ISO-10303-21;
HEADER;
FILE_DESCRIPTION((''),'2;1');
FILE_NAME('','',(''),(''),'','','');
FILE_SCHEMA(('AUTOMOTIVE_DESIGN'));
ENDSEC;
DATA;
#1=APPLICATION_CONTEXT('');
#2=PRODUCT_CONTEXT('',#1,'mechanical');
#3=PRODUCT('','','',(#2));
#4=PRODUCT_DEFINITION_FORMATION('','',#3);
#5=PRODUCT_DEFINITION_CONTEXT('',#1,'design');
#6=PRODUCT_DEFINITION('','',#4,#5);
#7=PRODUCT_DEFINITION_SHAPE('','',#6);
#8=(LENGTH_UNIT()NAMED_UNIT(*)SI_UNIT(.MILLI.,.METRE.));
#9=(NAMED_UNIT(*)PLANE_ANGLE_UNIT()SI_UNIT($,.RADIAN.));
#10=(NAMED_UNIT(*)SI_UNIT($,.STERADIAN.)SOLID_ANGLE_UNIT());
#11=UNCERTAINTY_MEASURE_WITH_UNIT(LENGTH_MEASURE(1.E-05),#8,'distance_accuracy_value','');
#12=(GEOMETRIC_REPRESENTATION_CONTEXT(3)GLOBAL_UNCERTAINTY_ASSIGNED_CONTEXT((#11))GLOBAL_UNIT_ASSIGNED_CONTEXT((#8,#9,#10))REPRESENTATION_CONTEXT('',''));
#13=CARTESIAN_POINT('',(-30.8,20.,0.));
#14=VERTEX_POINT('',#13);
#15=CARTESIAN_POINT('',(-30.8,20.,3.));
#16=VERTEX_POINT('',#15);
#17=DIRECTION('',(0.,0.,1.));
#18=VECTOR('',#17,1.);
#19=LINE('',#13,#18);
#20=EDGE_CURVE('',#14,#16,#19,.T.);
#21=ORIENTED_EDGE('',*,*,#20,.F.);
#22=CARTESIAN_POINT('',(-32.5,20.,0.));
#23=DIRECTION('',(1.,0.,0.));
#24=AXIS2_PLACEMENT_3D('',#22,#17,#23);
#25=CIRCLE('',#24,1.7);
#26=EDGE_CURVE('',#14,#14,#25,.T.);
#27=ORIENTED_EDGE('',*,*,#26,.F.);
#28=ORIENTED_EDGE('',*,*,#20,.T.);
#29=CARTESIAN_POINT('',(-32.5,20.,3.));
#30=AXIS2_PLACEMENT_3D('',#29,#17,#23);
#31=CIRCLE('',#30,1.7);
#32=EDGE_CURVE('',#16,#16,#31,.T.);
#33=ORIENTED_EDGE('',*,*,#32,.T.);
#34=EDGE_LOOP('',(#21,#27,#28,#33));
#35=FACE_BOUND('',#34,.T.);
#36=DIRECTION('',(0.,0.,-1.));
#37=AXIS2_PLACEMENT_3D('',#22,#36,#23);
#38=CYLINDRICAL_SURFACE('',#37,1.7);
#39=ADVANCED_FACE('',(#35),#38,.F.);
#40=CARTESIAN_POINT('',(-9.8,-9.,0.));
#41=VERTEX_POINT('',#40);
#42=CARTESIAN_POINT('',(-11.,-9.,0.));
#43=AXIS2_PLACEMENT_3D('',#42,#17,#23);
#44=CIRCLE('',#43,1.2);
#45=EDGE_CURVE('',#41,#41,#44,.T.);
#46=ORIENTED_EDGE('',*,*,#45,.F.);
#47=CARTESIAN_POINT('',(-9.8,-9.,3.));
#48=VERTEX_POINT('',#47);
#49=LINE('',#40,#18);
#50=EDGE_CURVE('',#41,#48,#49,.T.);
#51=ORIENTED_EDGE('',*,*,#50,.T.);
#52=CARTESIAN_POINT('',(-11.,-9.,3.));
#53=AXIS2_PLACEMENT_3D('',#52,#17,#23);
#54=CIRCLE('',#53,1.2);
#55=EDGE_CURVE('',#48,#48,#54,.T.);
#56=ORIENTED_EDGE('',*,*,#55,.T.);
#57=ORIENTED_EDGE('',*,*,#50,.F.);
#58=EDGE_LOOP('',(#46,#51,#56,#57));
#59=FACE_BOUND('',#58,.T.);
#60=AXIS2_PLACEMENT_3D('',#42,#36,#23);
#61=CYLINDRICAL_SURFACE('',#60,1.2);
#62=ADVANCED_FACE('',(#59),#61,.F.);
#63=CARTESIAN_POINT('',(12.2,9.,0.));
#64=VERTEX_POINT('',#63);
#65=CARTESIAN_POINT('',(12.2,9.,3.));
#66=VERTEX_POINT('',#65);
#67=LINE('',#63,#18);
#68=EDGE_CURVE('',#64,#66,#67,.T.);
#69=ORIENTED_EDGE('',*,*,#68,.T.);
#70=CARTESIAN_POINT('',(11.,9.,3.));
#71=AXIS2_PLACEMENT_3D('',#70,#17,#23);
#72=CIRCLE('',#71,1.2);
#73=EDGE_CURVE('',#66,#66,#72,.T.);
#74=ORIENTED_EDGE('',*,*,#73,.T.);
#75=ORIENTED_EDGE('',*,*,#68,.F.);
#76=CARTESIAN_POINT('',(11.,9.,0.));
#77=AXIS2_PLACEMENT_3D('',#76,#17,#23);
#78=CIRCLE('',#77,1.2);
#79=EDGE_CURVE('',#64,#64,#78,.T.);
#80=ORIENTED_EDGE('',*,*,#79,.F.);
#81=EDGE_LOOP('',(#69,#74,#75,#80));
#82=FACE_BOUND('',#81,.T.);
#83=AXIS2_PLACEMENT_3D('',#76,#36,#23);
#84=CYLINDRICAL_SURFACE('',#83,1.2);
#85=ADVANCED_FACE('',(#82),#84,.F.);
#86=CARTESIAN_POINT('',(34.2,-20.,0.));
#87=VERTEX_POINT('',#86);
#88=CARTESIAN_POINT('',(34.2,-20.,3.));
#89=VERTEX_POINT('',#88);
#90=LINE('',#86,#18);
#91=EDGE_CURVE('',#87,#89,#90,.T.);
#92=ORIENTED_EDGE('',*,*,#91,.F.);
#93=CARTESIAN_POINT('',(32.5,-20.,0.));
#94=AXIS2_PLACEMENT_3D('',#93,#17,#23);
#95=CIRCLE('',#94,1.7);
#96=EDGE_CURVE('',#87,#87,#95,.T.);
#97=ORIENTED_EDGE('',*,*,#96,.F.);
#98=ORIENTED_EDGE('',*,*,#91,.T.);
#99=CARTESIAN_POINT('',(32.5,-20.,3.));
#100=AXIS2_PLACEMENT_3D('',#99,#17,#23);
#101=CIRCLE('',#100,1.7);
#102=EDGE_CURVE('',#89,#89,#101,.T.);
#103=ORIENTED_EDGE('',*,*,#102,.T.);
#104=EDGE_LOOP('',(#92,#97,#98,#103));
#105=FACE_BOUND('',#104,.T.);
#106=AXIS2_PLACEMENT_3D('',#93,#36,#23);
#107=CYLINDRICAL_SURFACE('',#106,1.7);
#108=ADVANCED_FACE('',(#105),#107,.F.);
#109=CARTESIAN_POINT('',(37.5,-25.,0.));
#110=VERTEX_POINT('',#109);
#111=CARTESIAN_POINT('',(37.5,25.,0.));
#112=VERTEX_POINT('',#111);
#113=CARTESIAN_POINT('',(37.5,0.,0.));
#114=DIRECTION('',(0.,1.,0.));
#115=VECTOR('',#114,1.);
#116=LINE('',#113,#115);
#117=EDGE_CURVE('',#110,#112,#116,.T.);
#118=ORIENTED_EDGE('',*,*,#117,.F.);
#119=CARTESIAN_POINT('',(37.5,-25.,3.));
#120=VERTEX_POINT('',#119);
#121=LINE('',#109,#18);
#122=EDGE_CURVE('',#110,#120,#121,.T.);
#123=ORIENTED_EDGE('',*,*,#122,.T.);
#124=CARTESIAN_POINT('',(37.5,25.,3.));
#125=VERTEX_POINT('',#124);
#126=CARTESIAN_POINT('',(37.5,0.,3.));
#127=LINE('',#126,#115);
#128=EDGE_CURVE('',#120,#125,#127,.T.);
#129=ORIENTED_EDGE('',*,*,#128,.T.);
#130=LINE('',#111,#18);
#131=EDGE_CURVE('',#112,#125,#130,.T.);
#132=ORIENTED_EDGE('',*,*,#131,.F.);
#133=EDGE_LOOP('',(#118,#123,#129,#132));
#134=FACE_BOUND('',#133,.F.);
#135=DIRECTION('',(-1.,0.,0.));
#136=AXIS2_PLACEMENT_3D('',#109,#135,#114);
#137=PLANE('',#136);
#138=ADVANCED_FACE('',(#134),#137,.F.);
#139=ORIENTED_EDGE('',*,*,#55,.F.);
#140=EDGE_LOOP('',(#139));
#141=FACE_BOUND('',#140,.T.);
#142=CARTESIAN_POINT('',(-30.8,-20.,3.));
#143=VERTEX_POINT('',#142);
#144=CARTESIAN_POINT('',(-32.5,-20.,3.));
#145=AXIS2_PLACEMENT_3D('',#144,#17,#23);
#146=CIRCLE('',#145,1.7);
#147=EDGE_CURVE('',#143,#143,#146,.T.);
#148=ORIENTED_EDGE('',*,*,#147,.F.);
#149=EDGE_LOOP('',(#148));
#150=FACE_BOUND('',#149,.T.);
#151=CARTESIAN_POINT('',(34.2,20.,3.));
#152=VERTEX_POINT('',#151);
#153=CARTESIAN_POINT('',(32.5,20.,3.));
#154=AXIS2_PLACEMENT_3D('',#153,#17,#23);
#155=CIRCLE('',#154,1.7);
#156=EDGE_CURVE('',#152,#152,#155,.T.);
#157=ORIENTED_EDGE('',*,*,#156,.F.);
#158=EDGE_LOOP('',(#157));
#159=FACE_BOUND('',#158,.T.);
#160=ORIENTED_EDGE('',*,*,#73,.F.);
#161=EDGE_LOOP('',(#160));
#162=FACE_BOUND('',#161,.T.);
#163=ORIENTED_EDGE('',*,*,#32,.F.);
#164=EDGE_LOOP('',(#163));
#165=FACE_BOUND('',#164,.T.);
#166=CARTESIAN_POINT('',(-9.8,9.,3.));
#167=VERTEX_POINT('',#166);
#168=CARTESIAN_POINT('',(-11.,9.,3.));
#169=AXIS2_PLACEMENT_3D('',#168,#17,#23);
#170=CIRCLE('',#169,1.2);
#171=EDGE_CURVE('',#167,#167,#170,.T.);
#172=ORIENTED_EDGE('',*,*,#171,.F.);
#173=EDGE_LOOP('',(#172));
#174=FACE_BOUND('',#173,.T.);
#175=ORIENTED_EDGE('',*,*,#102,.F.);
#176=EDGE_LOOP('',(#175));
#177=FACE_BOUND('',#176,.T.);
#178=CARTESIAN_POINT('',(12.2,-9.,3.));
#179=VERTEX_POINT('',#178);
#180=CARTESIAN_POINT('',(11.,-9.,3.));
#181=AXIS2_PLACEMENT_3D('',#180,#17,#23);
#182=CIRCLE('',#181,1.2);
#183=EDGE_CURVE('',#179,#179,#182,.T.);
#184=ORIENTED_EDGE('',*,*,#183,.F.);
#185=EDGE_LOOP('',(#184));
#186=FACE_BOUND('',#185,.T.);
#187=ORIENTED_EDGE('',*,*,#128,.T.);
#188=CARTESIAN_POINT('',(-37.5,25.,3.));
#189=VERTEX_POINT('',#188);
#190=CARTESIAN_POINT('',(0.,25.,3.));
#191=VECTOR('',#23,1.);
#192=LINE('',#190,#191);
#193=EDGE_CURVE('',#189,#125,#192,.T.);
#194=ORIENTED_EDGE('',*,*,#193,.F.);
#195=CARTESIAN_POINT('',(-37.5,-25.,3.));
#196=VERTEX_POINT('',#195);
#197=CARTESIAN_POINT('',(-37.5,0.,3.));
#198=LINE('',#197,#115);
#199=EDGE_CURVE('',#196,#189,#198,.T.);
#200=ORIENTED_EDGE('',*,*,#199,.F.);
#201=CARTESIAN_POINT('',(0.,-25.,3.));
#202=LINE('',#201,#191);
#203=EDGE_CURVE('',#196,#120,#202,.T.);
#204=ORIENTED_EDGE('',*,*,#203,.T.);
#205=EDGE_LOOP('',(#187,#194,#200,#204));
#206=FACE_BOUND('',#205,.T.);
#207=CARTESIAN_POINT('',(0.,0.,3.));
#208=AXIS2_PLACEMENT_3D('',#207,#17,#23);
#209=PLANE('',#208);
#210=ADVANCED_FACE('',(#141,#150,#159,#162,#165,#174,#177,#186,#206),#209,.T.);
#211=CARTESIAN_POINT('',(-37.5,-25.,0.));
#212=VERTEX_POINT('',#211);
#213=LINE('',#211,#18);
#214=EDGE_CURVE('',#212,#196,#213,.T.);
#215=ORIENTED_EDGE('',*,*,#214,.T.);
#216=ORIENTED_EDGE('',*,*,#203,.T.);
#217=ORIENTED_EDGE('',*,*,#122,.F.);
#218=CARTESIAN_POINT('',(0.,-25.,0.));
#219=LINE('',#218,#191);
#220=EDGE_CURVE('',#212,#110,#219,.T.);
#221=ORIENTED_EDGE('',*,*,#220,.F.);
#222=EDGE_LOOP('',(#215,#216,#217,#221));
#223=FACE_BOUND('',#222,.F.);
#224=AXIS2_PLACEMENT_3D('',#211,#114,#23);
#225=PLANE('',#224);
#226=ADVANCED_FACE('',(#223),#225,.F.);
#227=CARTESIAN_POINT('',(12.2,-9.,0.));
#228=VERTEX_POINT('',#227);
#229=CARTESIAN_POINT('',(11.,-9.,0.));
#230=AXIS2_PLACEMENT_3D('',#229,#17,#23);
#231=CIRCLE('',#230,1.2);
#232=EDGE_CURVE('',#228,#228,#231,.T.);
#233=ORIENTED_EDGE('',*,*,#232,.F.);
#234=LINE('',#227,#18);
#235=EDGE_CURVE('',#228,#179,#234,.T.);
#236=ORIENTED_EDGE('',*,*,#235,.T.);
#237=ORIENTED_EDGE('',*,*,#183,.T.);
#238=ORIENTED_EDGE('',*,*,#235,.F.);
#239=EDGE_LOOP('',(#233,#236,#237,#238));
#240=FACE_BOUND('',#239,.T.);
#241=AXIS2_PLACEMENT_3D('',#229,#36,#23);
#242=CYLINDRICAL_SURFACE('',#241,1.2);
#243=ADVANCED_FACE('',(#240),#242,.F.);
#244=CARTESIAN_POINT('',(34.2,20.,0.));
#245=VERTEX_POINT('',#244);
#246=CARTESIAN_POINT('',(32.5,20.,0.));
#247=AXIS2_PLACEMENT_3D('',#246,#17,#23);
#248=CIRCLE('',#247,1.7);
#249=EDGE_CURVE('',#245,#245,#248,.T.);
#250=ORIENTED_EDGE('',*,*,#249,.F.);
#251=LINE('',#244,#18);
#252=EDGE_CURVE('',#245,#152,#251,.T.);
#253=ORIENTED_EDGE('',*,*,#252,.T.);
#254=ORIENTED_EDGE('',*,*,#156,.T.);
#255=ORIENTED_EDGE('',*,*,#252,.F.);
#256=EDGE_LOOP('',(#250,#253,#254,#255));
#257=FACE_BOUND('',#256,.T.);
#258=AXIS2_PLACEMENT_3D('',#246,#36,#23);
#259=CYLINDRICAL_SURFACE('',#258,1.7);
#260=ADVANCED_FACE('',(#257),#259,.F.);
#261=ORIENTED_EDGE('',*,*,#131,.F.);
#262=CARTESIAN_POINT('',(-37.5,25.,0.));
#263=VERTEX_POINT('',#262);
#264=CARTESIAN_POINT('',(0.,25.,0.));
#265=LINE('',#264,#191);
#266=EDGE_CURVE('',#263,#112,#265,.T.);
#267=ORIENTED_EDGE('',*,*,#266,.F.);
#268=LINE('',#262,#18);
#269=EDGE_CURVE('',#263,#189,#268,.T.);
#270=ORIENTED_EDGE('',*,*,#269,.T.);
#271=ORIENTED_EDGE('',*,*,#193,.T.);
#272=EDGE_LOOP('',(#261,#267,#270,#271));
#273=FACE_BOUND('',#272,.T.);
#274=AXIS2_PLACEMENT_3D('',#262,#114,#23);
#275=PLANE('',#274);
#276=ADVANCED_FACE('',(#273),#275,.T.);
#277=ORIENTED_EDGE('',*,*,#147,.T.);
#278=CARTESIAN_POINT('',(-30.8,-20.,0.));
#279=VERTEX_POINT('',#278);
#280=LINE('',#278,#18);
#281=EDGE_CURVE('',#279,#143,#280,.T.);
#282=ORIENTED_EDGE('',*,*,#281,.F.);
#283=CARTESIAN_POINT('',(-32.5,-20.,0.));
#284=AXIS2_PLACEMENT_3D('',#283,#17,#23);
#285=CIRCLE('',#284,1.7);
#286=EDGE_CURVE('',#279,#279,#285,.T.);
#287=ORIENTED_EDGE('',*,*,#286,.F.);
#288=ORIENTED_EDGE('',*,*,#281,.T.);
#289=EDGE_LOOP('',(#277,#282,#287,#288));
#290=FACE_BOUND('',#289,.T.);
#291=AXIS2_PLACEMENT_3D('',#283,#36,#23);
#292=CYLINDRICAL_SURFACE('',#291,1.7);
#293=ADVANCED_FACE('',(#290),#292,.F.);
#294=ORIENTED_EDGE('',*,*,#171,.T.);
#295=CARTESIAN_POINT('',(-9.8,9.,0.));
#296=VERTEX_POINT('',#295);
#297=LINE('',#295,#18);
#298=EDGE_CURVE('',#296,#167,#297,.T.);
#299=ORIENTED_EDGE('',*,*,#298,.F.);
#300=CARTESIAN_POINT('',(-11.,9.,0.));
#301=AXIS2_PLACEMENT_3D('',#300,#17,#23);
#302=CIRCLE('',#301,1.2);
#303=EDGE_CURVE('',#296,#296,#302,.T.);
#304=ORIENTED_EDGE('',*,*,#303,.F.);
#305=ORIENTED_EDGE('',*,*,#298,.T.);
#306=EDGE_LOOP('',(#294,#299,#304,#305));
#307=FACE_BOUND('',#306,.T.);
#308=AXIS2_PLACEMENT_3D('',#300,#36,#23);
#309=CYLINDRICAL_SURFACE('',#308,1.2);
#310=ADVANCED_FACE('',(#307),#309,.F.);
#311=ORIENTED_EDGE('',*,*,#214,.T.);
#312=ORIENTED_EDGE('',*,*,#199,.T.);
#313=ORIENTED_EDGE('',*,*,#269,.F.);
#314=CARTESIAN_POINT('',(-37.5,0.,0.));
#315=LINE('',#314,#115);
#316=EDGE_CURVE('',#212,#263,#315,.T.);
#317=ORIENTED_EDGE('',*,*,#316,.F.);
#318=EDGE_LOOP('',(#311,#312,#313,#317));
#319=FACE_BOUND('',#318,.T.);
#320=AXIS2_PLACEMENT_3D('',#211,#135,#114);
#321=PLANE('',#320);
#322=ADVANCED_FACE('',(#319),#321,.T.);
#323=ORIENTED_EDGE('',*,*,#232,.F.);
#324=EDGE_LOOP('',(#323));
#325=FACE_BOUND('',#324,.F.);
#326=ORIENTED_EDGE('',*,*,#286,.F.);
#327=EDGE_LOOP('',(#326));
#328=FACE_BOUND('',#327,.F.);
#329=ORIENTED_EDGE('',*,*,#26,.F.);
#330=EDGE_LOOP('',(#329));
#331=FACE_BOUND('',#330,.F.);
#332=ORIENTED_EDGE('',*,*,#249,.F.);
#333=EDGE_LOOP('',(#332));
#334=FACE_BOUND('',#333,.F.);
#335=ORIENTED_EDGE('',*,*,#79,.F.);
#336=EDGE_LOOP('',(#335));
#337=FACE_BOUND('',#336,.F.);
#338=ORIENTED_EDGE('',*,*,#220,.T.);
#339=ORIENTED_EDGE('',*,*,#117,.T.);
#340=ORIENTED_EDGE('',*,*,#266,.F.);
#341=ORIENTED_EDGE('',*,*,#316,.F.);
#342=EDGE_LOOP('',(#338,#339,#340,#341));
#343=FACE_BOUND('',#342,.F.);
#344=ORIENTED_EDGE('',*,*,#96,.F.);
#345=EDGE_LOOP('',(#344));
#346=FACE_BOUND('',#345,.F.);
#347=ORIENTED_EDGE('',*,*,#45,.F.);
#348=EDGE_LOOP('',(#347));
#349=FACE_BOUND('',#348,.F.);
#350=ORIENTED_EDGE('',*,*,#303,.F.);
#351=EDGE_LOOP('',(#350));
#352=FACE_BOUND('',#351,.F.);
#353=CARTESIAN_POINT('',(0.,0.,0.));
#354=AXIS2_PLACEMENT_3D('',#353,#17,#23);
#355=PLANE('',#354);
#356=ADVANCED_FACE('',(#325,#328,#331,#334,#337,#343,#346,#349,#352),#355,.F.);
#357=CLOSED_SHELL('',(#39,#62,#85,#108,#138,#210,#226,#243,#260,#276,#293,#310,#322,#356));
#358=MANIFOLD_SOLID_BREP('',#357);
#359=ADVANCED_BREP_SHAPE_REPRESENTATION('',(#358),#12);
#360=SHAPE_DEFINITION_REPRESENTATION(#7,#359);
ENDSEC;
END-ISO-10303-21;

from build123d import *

# Parameters (mm, degrees)
F0_W     = 75
F0_H     = 50
F0_R     = 1.7
F0_R_2   = 1.2
F1_DEPTH = 3


with BuildPart() as f1:
    # F0 (on Top) → F1 (new body)
    with BuildSketch(Plane.XY):
        Rectangle(F0_W, F0_H)
        with Locations((-32.5, -20)):
            Circle(F0_R, mode=Mode.SUBTRACT)
        with Locations((-11, -9)):
            Circle(F0_R_2, mode=Mode.SUBTRACT)
        with Locations((32.5, -20)):
            Circle(F0_R, mode=Mode.SUBTRACT)
        with Locations((11, -9)):
            Circle(F0_R_2, mode=Mode.SUBTRACT)
        with Locations((-11, 9)):
            Circle(F0_R_2, mode=Mode.SUBTRACT)
        with Locations((-32.5, 20)):
            Circle(F0_R, mode=Mode.SUBTRACT)
        with Locations((11, 9)):
            Circle(F0_R_2, mode=Mode.SUBTRACT)
        with Locations((32.5, 20)):
            Circle(F0_R, mode=Mode.SUBTRACT)
    extrude(amount=F1_DEPTH)


solid = f1.part
